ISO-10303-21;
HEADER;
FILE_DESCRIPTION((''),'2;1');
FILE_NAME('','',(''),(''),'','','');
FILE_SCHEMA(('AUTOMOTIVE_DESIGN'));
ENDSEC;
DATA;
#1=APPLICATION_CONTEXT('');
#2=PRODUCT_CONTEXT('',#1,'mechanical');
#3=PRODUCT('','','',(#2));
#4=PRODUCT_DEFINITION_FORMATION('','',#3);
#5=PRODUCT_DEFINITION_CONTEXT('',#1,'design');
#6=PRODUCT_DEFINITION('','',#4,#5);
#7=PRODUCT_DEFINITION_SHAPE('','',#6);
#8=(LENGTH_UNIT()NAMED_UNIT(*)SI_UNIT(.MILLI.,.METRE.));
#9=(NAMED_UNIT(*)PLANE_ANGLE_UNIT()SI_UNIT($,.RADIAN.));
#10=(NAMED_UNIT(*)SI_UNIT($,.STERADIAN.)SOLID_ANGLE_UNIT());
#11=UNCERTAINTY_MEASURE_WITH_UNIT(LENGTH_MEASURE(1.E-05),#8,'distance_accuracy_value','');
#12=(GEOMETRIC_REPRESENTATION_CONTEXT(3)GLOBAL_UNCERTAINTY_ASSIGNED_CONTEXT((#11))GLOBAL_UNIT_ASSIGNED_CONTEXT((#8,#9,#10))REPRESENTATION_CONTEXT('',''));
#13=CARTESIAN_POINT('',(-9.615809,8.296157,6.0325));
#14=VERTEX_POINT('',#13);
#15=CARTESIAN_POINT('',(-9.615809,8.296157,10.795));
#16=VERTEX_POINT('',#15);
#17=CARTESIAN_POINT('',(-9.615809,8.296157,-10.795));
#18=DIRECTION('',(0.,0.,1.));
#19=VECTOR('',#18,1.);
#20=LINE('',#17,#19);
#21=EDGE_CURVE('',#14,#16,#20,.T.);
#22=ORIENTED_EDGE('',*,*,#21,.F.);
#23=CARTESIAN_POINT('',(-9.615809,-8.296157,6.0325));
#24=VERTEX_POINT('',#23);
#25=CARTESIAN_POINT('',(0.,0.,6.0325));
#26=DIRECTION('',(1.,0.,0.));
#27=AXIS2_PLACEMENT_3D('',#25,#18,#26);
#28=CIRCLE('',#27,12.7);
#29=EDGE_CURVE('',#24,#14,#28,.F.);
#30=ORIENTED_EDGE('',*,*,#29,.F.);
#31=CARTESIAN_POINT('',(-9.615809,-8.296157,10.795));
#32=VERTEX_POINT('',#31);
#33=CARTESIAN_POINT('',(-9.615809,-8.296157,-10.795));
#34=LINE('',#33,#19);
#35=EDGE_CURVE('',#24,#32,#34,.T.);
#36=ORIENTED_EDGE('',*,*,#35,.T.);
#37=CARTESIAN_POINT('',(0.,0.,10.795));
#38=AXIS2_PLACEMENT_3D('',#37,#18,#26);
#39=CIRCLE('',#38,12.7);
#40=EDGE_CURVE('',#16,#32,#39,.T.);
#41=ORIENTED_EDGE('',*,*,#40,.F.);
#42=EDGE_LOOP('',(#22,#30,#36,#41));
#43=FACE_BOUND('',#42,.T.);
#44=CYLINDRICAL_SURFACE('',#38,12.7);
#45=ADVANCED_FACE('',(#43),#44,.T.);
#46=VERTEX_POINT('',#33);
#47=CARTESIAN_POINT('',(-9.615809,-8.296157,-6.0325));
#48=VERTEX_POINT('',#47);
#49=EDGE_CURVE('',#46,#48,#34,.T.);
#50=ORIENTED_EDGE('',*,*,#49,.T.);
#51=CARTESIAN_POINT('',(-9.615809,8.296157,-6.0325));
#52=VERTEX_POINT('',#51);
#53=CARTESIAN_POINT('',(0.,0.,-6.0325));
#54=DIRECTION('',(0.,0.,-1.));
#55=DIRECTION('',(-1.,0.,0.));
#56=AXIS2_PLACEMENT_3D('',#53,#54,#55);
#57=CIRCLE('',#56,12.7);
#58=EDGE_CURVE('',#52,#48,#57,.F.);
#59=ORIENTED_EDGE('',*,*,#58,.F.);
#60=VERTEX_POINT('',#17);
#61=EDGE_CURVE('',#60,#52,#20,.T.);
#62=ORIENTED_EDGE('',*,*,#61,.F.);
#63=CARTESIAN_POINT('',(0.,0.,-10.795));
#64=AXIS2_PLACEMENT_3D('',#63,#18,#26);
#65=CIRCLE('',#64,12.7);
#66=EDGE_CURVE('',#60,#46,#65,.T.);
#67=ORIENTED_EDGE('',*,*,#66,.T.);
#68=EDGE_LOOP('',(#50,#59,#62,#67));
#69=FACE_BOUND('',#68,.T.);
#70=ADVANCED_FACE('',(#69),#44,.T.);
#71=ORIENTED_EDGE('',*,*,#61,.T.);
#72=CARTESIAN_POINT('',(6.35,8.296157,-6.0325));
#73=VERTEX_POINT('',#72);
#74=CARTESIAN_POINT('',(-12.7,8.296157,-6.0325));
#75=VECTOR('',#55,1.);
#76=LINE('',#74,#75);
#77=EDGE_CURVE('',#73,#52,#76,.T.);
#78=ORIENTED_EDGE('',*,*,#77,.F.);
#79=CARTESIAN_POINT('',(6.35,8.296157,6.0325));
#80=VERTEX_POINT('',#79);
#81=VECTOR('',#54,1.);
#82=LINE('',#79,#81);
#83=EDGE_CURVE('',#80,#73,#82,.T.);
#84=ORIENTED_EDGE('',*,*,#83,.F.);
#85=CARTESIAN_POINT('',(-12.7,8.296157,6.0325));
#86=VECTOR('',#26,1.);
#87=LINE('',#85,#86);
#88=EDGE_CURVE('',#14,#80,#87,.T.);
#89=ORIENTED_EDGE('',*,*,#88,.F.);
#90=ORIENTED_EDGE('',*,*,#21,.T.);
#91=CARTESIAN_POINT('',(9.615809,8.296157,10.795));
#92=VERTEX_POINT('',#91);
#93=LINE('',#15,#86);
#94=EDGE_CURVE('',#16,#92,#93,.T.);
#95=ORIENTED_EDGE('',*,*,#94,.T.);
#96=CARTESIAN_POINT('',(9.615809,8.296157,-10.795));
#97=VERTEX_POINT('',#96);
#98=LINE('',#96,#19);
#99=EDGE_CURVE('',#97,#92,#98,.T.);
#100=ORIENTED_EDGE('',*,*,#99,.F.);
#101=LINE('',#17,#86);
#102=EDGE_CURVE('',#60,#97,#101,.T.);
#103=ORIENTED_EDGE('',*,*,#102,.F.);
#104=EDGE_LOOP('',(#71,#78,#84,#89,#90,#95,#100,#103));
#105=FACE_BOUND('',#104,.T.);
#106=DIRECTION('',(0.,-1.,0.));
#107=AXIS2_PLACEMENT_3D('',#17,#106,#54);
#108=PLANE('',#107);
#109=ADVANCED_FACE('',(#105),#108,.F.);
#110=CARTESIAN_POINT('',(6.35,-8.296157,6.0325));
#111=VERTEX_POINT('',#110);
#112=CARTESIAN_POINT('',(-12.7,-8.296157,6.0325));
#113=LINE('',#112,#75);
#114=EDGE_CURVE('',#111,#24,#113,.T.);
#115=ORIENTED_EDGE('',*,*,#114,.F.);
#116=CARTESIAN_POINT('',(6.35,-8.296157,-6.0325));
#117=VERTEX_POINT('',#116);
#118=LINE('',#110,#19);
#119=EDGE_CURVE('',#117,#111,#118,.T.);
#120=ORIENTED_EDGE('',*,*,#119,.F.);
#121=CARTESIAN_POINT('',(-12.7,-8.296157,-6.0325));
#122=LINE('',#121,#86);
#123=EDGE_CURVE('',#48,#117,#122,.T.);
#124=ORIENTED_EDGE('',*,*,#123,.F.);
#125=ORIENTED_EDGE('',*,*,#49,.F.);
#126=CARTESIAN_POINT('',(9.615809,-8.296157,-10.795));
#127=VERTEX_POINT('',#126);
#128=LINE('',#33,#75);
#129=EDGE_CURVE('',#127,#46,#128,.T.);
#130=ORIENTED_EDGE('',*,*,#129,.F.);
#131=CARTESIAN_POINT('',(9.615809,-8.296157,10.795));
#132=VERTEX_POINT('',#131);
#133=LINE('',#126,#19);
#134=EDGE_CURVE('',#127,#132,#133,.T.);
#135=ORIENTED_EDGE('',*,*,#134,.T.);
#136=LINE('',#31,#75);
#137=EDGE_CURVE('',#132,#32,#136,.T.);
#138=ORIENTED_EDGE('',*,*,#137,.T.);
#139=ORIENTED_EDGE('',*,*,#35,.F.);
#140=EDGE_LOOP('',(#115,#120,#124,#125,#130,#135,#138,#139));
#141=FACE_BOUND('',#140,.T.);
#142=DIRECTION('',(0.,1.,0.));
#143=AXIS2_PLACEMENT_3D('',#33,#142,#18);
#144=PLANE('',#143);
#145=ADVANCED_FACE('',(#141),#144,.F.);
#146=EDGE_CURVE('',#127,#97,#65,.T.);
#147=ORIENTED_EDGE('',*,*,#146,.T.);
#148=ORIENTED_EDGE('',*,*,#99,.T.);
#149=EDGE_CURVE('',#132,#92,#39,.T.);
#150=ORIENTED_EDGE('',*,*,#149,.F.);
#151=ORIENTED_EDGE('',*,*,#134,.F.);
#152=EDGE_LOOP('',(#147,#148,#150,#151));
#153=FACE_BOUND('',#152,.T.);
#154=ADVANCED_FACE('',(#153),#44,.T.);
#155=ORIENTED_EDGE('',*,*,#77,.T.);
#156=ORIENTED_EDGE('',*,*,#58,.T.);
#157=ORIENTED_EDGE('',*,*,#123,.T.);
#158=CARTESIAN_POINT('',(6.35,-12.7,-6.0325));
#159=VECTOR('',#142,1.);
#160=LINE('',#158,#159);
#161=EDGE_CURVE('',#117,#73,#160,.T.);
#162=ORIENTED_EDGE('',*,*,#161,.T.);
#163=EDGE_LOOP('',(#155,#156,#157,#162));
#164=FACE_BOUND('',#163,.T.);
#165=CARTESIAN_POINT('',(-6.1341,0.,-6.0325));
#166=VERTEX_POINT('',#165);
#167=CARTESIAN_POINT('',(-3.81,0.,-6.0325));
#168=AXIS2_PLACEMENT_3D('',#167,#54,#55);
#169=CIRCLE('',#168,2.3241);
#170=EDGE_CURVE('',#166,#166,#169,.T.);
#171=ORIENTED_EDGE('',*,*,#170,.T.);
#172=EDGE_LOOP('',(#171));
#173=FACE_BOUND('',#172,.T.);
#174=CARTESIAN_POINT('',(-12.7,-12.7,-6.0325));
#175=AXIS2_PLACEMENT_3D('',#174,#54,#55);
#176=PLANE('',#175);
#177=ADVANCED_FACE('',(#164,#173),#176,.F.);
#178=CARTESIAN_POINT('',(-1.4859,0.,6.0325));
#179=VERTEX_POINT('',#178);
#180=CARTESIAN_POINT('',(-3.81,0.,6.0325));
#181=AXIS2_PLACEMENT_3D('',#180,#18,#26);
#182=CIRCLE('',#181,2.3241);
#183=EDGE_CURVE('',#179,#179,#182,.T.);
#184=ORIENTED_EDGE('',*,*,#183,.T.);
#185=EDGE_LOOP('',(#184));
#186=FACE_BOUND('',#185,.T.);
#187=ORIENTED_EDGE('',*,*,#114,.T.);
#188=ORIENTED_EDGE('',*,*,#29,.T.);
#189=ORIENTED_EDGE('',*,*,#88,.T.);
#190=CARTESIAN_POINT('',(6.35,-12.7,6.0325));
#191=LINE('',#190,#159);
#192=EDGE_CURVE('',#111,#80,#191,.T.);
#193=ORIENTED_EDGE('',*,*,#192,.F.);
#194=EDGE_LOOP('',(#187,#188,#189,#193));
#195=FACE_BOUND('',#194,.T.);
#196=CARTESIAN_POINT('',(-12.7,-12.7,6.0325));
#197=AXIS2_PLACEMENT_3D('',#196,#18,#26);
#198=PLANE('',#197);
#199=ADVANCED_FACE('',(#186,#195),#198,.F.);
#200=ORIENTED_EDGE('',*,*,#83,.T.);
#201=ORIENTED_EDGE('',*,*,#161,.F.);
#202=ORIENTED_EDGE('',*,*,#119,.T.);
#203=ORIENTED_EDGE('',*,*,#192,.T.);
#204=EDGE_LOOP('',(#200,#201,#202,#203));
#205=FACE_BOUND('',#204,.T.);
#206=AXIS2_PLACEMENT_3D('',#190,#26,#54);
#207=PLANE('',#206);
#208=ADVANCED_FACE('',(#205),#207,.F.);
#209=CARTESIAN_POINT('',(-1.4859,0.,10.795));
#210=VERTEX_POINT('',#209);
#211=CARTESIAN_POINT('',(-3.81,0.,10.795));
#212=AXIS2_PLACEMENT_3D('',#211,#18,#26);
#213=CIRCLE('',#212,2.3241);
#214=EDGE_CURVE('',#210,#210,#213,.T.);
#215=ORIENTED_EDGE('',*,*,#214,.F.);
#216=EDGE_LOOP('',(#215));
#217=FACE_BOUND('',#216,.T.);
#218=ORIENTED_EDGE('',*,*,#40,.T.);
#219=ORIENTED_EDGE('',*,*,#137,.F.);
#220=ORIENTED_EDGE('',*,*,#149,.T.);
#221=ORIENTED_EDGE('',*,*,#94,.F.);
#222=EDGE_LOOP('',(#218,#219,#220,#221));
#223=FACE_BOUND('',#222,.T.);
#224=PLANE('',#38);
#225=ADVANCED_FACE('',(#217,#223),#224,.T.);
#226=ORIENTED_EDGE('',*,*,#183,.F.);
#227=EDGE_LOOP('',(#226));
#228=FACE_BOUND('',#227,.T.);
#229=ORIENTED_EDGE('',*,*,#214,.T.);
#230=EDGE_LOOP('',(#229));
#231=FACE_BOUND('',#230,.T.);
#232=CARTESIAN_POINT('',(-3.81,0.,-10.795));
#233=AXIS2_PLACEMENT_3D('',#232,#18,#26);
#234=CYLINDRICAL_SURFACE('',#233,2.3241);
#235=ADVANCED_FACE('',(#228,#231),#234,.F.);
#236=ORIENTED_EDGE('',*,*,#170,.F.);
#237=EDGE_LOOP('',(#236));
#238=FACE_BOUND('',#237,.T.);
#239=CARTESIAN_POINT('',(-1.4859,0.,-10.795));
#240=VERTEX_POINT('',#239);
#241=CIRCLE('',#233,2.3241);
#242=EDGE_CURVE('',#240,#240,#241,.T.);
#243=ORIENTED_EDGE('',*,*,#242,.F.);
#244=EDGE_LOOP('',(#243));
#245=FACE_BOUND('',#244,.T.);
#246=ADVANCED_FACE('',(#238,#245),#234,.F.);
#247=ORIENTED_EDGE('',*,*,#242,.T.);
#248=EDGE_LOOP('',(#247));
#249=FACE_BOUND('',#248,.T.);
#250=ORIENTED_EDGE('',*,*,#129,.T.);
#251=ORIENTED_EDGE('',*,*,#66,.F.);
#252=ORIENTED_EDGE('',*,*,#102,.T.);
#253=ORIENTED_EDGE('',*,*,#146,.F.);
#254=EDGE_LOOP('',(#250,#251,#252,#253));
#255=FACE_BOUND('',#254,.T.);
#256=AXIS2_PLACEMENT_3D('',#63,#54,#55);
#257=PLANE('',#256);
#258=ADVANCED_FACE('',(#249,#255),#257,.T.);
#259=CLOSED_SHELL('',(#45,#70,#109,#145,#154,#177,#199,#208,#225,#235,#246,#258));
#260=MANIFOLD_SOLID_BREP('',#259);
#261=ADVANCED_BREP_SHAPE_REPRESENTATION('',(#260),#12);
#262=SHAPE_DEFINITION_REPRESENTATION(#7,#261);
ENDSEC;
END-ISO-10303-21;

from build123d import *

# Parameters (mm, degrees)
SKETCH1_W               = 12.7
SKETCH1_H               = 21.59
CUT_EXTRUDE1_DEPTH      = 21.955
CUT_EXTRUDE1_DEPTH_BACK = 21.955
SKETCH3_W               = 19.05
SKETCH3_H               = 12.065
CUT_EXTRUDE2_DEPTH      = 21.955
CUT_EXTRUDE2_DEPTH_BACK = 21.955
SKETCH4_W               = 19.231618108
SKETCH4_H               = 5.318049176
CUT_EXTRUDE3_DEPTH      = 27.386441902
CUT_EXTRUDE3_DEPTH_BACK = 27.386441902
SKETCH5_R               = 2.3241


with BuildPart() as part:
    # Sketch1 → Revolve1 (revolve)
    with BuildSketch(Plane(origin=(0, 0, 0), x_dir=(1, 0, 0), z_dir=(0, 1, 0))):
        with Locations((6.35, 0)):
            Rectangle(SKETCH1_W, SKETCH1_H)
    revolve(axis=Axis((0, 0, 10.795), (0, 0, -1)))

    # Sketch3 → Cut-Extrude1 (cut, two sides: drawn at the far end of the back side and taken through both)
    with BuildSketch(Plane(origin=(0, 0, 0), x_dir=(1, 0, 0), z_dir=(0, 1, 0)).offset(-CUT_EXTRUDE1_DEPTH_BACK)):
        with Locations((-3.175, 0)):
            Rectangle(SKETCH3_W, SKETCH3_H)
    extrude(amount=CUT_EXTRUDE1_DEPTH + CUT_EXTRUDE1_DEPTH_BACK, mode=Mode.SUBTRACT)

    # Sketch4 → Cut-Extrude2 (cut, two sides: drawn at the far end of the back side and taken through both)
    with BuildSketch(Plane.XY.offset(-CUT_EXTRUDE2_DEPTH_BACK)):
        Polygon((-9.615809054, 8.296156715), (9.615809054, 8.296156715), (9.615809054, 14.116385036), (-9.615809054, 13.939663028), align=None)
        with Locations((0, -10.955181303)):
            Rectangle(SKETCH4_W, SKETCH4_H)
    extrude(amount=CUT_EXTRUDE2_DEPTH + CUT_EXTRUDE2_DEPTH_BACK, mode=Mode.SUBTRACT)

    # Sketch5 → Cut-Extrude3 (cut, two sides: drawn at the far end of the back side and taken through both)
    with BuildSketch(Plane.XY.offset(10.795).offset(-CUT_EXTRUDE3_DEPTH_BACK)):
        with Locations((-3.81, 0)):
            Circle(SKETCH5_R)
    extrude(amount=CUT_EXTRUDE3_DEPTH + CUT_EXTRUDE3_DEPTH_BACK, mode=Mode.SUBTRACT)


solid = part.part
